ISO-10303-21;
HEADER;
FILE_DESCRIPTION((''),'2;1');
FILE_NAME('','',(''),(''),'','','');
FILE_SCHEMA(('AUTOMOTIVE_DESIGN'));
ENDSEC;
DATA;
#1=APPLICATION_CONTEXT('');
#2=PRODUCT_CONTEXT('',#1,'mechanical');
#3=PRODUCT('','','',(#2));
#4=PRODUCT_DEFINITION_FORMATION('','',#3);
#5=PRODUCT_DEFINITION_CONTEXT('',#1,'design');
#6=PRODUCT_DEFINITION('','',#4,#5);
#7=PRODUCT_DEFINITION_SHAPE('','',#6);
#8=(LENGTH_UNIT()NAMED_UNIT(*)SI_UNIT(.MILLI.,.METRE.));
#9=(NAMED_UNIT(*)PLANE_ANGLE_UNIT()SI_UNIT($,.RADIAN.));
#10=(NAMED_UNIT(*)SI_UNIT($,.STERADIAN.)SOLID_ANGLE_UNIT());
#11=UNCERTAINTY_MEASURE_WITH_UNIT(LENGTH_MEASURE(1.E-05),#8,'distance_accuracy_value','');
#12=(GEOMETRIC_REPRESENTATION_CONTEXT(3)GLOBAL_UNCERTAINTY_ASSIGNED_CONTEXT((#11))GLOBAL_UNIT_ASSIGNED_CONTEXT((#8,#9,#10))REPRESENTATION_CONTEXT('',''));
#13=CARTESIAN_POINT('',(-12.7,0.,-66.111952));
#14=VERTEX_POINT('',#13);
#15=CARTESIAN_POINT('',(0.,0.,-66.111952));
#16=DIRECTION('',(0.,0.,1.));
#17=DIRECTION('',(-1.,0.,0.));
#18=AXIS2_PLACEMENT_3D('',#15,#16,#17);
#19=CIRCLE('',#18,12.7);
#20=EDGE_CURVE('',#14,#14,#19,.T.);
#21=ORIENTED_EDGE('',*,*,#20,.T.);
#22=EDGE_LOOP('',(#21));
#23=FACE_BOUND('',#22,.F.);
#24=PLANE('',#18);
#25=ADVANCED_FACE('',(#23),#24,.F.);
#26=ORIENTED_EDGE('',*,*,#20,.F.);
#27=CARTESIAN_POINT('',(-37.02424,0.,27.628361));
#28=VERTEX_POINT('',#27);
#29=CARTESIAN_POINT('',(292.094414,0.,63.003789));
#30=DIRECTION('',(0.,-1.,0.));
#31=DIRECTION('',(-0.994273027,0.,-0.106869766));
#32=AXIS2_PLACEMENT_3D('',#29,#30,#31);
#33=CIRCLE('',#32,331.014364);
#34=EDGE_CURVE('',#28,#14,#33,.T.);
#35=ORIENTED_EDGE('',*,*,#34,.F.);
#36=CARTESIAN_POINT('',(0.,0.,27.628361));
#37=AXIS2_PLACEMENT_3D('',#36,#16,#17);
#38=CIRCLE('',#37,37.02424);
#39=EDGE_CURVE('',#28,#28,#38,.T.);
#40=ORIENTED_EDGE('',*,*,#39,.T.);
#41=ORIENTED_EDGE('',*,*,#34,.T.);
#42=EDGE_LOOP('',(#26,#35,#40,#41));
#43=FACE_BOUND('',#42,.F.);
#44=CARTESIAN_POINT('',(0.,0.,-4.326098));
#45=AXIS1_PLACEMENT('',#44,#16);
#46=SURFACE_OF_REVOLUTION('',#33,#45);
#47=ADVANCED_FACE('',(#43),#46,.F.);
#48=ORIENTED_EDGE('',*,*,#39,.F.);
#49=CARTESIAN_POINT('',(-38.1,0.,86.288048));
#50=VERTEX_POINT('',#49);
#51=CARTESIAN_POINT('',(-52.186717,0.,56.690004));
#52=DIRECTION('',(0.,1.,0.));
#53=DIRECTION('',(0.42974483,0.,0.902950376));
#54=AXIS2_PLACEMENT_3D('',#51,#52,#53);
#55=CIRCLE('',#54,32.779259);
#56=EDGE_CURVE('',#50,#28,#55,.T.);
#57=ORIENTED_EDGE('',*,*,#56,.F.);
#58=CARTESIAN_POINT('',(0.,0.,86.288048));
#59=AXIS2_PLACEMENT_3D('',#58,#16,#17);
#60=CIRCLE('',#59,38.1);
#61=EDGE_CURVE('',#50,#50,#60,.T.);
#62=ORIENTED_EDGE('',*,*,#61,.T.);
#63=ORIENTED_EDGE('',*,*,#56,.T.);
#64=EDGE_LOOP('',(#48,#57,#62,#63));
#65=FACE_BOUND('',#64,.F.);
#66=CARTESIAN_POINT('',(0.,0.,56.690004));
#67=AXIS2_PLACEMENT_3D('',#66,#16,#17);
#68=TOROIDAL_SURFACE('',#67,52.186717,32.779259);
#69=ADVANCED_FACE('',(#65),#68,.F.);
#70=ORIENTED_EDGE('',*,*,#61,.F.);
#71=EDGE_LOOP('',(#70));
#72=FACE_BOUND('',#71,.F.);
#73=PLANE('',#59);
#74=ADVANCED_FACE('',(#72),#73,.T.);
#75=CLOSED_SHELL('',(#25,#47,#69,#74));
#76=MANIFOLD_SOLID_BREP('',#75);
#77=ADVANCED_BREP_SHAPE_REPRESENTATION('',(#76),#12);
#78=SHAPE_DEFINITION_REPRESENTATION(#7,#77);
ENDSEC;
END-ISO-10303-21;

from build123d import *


with BuildPart() as f1:
    # F0 (on Front) → F1 (revolve)
    with BuildSketch(Plane.XZ):
        with BuildLine():
            Line((0, 86.288048), (-38.1, 86.288048))
            ThreePointArc((-38.1, 86.288048), (-19.412969, 57.291042), (-37.02424, 27.628361))
            ThreePointArc((-37.02424, 27.628361), (-28.308857, -20.136173), (-12.7, -66.111952))
            Line((-12.7, -66.111952), (0, -66.111952))
            Line((0, -66.111952), (0, 86.288048))
        make_face()
    revolve(axis=Axis((0, 0, -4.326098), (0, 0, 1)))


solid = f1.part
